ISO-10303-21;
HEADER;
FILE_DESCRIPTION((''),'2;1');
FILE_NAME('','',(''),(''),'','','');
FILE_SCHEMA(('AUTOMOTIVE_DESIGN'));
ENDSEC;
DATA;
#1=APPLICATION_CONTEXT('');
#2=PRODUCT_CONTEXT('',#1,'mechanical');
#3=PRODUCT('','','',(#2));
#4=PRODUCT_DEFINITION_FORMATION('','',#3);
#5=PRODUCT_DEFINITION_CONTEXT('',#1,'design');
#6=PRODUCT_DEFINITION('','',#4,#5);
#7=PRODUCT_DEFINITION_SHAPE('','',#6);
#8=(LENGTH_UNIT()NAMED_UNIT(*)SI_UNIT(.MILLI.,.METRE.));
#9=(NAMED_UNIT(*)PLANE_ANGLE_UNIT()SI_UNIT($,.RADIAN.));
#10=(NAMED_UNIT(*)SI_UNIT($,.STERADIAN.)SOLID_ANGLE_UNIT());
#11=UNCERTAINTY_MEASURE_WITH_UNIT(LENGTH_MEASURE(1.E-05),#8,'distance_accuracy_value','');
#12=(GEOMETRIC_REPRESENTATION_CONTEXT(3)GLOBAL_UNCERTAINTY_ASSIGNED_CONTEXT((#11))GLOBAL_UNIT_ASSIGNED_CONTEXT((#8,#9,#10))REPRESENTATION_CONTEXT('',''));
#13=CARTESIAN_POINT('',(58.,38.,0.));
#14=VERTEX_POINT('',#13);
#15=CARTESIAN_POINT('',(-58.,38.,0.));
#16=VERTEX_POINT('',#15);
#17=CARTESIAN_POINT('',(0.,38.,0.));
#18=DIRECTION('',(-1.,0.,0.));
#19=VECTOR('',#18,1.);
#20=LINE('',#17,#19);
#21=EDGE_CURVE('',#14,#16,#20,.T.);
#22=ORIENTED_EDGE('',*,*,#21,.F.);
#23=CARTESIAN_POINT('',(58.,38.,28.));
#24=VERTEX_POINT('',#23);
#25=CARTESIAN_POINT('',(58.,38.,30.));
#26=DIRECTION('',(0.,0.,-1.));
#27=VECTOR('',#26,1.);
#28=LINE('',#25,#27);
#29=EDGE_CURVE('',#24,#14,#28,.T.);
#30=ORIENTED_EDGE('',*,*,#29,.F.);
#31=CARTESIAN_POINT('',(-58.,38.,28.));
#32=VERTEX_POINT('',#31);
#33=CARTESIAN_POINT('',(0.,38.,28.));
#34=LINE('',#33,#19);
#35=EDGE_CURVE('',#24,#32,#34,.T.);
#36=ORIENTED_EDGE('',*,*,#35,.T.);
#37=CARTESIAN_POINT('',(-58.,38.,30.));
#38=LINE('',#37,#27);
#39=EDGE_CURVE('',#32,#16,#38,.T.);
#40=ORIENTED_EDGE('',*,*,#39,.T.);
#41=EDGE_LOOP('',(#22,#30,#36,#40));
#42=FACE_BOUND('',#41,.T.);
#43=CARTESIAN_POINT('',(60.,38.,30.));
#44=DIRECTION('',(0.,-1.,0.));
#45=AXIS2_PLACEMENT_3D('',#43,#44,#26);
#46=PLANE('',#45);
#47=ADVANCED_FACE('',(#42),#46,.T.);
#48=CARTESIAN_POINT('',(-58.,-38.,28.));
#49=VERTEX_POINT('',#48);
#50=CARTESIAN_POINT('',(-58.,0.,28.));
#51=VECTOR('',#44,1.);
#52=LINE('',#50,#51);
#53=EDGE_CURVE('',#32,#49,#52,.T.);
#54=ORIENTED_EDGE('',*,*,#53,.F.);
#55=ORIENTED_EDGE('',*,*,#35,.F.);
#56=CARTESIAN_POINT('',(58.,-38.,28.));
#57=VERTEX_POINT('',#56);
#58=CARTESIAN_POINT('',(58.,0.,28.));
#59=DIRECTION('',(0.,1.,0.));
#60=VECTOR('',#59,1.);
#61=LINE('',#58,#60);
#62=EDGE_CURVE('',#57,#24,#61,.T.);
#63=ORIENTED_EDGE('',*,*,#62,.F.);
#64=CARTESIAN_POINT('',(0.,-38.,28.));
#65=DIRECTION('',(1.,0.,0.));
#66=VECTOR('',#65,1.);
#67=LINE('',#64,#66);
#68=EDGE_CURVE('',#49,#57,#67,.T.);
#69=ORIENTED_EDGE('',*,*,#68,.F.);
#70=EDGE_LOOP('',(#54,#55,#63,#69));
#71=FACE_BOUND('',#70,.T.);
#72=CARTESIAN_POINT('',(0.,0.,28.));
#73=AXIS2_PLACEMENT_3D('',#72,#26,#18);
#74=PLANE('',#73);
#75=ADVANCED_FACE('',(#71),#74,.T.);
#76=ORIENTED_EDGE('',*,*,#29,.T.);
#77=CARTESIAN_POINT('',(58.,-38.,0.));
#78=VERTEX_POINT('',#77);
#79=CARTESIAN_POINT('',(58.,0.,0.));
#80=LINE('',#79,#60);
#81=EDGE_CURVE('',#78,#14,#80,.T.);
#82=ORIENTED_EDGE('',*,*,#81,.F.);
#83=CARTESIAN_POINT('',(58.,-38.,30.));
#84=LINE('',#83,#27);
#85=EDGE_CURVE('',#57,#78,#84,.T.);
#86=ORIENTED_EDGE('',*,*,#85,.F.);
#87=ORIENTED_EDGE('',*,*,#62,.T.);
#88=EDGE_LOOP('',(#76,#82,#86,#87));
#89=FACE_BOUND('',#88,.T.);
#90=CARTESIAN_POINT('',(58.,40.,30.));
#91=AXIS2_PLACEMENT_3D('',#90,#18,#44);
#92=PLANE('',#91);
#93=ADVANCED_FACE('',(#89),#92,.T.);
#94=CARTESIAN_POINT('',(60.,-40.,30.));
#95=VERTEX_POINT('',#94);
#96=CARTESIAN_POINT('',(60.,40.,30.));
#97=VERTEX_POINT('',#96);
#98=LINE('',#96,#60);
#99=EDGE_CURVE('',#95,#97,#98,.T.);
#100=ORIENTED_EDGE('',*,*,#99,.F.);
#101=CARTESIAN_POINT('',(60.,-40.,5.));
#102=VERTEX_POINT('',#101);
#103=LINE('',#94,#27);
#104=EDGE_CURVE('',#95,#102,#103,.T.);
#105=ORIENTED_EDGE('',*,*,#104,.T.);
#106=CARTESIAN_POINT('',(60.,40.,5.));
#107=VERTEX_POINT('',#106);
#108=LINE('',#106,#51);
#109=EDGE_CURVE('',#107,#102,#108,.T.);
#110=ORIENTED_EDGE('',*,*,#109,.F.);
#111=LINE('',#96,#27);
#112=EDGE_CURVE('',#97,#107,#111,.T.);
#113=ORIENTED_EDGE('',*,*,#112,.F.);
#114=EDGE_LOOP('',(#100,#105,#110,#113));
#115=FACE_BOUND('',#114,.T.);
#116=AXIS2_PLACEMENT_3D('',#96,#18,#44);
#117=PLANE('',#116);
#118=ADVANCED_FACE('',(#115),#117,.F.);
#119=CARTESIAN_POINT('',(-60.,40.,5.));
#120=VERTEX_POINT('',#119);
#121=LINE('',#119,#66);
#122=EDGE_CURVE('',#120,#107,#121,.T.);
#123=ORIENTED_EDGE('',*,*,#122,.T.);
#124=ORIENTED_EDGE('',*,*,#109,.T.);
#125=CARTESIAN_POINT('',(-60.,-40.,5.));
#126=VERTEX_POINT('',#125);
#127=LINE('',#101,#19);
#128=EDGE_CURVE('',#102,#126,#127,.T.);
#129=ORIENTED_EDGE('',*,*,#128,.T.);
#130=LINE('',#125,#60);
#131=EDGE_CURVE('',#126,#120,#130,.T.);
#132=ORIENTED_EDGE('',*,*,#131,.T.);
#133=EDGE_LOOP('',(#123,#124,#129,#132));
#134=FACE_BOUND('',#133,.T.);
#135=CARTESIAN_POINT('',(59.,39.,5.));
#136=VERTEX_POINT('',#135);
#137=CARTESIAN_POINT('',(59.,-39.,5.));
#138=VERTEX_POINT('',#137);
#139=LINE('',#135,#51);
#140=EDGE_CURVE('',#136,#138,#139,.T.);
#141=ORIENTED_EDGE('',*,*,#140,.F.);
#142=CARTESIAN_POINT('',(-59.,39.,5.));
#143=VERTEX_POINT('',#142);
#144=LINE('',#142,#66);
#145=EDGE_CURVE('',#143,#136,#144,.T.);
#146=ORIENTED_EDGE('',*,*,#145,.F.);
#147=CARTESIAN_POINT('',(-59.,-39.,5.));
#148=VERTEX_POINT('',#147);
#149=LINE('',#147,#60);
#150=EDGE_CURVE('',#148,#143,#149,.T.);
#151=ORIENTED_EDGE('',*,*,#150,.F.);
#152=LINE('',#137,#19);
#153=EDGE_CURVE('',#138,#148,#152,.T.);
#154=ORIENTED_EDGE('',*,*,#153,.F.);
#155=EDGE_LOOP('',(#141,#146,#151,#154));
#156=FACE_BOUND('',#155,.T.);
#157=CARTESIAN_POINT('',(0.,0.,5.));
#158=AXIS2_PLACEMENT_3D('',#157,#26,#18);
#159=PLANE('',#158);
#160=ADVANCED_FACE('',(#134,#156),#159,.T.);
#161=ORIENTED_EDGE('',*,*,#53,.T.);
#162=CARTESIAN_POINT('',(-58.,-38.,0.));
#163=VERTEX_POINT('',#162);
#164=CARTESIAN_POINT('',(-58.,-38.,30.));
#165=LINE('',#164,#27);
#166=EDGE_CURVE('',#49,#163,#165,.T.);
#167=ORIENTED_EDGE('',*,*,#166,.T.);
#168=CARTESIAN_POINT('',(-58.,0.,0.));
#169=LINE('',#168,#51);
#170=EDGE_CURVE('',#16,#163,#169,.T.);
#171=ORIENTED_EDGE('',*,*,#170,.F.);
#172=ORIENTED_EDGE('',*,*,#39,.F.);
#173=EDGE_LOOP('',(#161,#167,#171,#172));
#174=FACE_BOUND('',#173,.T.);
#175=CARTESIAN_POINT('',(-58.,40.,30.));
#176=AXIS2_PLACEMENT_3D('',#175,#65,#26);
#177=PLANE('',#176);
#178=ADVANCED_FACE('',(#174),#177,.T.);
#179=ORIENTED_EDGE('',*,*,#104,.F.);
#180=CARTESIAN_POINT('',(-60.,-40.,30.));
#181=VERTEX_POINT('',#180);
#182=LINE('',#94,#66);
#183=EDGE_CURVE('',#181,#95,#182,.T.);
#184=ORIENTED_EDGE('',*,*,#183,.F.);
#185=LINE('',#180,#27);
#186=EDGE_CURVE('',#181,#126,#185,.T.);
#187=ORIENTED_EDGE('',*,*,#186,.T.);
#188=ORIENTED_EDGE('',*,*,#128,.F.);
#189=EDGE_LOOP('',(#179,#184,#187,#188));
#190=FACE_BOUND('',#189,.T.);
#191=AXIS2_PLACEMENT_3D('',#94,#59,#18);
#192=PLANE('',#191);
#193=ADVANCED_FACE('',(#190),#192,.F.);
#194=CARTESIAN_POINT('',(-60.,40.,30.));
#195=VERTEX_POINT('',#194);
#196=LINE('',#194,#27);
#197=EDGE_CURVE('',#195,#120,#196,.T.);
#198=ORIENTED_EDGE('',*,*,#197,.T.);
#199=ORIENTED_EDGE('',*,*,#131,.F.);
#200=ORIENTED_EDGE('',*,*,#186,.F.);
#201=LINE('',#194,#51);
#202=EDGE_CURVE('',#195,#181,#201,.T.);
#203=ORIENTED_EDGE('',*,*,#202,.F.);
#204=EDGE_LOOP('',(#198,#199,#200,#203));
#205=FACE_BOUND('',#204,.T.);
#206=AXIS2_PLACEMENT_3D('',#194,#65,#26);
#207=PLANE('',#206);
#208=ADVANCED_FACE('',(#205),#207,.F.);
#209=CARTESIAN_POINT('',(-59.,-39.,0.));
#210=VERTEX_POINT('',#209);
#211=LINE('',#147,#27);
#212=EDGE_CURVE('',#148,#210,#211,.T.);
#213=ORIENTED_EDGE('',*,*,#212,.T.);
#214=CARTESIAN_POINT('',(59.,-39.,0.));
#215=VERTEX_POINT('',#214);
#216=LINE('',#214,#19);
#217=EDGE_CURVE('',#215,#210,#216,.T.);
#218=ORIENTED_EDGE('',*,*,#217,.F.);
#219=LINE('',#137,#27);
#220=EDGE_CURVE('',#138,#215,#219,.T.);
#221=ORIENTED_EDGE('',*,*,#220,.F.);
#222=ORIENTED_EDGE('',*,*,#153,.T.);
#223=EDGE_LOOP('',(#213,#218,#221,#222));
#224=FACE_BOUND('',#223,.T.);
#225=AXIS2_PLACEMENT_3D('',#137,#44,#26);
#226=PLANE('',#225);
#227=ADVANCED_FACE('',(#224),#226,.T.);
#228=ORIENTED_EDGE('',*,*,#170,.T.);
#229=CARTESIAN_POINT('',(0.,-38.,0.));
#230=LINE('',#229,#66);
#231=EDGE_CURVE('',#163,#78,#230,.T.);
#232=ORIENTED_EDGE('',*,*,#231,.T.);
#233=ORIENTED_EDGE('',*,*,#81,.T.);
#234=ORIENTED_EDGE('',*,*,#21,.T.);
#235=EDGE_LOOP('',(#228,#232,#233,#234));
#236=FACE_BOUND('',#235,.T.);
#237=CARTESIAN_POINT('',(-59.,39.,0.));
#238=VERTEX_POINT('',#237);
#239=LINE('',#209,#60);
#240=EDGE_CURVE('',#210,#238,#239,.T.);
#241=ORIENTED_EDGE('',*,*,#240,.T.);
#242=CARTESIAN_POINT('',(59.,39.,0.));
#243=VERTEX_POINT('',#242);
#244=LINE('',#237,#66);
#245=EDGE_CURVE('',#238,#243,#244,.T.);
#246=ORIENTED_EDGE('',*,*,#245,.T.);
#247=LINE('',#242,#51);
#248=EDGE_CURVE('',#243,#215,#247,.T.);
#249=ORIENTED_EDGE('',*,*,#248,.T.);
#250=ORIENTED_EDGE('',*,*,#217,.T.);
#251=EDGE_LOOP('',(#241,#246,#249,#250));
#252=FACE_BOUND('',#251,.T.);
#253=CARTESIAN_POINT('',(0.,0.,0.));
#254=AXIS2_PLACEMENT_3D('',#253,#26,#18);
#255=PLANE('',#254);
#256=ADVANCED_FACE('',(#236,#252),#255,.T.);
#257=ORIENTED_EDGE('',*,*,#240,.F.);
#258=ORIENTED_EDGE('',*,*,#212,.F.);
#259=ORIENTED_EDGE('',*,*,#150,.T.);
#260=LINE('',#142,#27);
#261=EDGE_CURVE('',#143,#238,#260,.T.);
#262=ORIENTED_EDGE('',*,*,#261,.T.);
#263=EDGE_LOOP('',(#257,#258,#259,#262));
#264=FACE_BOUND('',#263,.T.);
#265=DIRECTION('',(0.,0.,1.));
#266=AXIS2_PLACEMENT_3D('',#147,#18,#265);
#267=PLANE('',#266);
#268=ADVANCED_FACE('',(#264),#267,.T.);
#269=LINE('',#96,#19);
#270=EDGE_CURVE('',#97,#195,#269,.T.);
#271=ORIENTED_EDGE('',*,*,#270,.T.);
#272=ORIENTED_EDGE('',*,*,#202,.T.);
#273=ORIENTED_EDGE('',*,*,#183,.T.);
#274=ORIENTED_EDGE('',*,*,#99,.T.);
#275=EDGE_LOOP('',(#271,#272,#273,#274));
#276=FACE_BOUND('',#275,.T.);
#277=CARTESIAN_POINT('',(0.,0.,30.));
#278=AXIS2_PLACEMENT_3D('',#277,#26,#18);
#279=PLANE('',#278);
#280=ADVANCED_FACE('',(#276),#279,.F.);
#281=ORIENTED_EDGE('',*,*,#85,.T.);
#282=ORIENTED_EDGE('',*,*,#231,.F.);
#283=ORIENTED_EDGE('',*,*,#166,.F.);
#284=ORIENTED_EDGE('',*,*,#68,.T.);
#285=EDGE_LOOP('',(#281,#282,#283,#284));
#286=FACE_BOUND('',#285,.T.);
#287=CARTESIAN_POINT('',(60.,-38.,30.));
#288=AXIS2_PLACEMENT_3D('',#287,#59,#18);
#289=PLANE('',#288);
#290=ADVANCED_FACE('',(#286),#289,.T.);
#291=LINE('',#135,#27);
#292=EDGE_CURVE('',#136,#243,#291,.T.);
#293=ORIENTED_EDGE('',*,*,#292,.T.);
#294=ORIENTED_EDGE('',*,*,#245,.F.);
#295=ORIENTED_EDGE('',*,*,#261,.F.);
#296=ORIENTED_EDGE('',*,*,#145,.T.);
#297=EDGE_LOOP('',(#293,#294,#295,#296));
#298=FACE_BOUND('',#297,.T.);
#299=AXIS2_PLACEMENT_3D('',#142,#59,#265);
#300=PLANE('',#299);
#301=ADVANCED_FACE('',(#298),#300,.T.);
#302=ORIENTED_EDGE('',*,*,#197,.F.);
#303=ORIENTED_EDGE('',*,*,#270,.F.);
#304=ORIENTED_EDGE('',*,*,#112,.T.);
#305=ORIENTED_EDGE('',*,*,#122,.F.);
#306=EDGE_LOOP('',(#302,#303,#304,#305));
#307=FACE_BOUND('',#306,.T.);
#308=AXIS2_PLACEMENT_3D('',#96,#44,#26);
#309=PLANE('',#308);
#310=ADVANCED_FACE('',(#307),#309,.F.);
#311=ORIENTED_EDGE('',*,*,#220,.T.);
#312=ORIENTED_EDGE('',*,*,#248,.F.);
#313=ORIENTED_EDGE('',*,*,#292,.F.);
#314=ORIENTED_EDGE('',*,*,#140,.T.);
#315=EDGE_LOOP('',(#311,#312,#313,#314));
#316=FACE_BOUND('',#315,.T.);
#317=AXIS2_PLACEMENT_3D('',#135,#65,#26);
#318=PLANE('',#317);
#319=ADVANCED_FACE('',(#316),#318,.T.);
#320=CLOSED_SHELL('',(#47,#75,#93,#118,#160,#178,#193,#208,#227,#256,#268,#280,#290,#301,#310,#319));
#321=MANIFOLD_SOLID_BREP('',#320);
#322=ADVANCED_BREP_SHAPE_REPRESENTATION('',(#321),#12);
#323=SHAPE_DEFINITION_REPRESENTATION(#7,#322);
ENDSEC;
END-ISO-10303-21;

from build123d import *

# Parameters (mm, degrees)
SKETCH1_W           = 120
SKETCH1_H           = 80
BOSS_EXTRUDE1_DEPTH = 30
SHELL1_T            = -2
SKETCH10_W          = 120
SKETCH10_H          = 80
SKETCH10_W_2        = 118
SKETCH10_H_2        = 78
CUT_EXTRUDE1_DEPTH  = 5


with BuildPart() as part:
    # Sketch1 → Boss-Extrude1 (new body)
    with BuildSketch(Plane.XY):
        Rectangle(SKETCH1_W, SKETCH1_H)
    extrude(amount=BOSS_EXTRUDE1_DEPTH)

    # Shell1
    shell1_openings = [part.faces().sort_by_distance(p)[0] for p in [
        (0, 0, 0),
    ]]
    offset(amount=SHELL1_T, openings=shell1_openings, kind=Kind.INTERSECTION)

    # Sketch10 → Cut-Extrude1 (cut)
    with BuildSketch(Plane(origin=(0, 0, 0), x_dir=(-1, 0, 0), z_dir=(0, 0, -1))):
        Rectangle(SKETCH10_W, SKETCH10_H)
        Rectangle(SKETCH10_W_2, SKETCH10_H_2, mode=Mode.SUBTRACT)
    extrude(amount=-CUT_EXTRUDE1_DEPTH, mode=Mode.SUBTRACT)


solid = part.part
